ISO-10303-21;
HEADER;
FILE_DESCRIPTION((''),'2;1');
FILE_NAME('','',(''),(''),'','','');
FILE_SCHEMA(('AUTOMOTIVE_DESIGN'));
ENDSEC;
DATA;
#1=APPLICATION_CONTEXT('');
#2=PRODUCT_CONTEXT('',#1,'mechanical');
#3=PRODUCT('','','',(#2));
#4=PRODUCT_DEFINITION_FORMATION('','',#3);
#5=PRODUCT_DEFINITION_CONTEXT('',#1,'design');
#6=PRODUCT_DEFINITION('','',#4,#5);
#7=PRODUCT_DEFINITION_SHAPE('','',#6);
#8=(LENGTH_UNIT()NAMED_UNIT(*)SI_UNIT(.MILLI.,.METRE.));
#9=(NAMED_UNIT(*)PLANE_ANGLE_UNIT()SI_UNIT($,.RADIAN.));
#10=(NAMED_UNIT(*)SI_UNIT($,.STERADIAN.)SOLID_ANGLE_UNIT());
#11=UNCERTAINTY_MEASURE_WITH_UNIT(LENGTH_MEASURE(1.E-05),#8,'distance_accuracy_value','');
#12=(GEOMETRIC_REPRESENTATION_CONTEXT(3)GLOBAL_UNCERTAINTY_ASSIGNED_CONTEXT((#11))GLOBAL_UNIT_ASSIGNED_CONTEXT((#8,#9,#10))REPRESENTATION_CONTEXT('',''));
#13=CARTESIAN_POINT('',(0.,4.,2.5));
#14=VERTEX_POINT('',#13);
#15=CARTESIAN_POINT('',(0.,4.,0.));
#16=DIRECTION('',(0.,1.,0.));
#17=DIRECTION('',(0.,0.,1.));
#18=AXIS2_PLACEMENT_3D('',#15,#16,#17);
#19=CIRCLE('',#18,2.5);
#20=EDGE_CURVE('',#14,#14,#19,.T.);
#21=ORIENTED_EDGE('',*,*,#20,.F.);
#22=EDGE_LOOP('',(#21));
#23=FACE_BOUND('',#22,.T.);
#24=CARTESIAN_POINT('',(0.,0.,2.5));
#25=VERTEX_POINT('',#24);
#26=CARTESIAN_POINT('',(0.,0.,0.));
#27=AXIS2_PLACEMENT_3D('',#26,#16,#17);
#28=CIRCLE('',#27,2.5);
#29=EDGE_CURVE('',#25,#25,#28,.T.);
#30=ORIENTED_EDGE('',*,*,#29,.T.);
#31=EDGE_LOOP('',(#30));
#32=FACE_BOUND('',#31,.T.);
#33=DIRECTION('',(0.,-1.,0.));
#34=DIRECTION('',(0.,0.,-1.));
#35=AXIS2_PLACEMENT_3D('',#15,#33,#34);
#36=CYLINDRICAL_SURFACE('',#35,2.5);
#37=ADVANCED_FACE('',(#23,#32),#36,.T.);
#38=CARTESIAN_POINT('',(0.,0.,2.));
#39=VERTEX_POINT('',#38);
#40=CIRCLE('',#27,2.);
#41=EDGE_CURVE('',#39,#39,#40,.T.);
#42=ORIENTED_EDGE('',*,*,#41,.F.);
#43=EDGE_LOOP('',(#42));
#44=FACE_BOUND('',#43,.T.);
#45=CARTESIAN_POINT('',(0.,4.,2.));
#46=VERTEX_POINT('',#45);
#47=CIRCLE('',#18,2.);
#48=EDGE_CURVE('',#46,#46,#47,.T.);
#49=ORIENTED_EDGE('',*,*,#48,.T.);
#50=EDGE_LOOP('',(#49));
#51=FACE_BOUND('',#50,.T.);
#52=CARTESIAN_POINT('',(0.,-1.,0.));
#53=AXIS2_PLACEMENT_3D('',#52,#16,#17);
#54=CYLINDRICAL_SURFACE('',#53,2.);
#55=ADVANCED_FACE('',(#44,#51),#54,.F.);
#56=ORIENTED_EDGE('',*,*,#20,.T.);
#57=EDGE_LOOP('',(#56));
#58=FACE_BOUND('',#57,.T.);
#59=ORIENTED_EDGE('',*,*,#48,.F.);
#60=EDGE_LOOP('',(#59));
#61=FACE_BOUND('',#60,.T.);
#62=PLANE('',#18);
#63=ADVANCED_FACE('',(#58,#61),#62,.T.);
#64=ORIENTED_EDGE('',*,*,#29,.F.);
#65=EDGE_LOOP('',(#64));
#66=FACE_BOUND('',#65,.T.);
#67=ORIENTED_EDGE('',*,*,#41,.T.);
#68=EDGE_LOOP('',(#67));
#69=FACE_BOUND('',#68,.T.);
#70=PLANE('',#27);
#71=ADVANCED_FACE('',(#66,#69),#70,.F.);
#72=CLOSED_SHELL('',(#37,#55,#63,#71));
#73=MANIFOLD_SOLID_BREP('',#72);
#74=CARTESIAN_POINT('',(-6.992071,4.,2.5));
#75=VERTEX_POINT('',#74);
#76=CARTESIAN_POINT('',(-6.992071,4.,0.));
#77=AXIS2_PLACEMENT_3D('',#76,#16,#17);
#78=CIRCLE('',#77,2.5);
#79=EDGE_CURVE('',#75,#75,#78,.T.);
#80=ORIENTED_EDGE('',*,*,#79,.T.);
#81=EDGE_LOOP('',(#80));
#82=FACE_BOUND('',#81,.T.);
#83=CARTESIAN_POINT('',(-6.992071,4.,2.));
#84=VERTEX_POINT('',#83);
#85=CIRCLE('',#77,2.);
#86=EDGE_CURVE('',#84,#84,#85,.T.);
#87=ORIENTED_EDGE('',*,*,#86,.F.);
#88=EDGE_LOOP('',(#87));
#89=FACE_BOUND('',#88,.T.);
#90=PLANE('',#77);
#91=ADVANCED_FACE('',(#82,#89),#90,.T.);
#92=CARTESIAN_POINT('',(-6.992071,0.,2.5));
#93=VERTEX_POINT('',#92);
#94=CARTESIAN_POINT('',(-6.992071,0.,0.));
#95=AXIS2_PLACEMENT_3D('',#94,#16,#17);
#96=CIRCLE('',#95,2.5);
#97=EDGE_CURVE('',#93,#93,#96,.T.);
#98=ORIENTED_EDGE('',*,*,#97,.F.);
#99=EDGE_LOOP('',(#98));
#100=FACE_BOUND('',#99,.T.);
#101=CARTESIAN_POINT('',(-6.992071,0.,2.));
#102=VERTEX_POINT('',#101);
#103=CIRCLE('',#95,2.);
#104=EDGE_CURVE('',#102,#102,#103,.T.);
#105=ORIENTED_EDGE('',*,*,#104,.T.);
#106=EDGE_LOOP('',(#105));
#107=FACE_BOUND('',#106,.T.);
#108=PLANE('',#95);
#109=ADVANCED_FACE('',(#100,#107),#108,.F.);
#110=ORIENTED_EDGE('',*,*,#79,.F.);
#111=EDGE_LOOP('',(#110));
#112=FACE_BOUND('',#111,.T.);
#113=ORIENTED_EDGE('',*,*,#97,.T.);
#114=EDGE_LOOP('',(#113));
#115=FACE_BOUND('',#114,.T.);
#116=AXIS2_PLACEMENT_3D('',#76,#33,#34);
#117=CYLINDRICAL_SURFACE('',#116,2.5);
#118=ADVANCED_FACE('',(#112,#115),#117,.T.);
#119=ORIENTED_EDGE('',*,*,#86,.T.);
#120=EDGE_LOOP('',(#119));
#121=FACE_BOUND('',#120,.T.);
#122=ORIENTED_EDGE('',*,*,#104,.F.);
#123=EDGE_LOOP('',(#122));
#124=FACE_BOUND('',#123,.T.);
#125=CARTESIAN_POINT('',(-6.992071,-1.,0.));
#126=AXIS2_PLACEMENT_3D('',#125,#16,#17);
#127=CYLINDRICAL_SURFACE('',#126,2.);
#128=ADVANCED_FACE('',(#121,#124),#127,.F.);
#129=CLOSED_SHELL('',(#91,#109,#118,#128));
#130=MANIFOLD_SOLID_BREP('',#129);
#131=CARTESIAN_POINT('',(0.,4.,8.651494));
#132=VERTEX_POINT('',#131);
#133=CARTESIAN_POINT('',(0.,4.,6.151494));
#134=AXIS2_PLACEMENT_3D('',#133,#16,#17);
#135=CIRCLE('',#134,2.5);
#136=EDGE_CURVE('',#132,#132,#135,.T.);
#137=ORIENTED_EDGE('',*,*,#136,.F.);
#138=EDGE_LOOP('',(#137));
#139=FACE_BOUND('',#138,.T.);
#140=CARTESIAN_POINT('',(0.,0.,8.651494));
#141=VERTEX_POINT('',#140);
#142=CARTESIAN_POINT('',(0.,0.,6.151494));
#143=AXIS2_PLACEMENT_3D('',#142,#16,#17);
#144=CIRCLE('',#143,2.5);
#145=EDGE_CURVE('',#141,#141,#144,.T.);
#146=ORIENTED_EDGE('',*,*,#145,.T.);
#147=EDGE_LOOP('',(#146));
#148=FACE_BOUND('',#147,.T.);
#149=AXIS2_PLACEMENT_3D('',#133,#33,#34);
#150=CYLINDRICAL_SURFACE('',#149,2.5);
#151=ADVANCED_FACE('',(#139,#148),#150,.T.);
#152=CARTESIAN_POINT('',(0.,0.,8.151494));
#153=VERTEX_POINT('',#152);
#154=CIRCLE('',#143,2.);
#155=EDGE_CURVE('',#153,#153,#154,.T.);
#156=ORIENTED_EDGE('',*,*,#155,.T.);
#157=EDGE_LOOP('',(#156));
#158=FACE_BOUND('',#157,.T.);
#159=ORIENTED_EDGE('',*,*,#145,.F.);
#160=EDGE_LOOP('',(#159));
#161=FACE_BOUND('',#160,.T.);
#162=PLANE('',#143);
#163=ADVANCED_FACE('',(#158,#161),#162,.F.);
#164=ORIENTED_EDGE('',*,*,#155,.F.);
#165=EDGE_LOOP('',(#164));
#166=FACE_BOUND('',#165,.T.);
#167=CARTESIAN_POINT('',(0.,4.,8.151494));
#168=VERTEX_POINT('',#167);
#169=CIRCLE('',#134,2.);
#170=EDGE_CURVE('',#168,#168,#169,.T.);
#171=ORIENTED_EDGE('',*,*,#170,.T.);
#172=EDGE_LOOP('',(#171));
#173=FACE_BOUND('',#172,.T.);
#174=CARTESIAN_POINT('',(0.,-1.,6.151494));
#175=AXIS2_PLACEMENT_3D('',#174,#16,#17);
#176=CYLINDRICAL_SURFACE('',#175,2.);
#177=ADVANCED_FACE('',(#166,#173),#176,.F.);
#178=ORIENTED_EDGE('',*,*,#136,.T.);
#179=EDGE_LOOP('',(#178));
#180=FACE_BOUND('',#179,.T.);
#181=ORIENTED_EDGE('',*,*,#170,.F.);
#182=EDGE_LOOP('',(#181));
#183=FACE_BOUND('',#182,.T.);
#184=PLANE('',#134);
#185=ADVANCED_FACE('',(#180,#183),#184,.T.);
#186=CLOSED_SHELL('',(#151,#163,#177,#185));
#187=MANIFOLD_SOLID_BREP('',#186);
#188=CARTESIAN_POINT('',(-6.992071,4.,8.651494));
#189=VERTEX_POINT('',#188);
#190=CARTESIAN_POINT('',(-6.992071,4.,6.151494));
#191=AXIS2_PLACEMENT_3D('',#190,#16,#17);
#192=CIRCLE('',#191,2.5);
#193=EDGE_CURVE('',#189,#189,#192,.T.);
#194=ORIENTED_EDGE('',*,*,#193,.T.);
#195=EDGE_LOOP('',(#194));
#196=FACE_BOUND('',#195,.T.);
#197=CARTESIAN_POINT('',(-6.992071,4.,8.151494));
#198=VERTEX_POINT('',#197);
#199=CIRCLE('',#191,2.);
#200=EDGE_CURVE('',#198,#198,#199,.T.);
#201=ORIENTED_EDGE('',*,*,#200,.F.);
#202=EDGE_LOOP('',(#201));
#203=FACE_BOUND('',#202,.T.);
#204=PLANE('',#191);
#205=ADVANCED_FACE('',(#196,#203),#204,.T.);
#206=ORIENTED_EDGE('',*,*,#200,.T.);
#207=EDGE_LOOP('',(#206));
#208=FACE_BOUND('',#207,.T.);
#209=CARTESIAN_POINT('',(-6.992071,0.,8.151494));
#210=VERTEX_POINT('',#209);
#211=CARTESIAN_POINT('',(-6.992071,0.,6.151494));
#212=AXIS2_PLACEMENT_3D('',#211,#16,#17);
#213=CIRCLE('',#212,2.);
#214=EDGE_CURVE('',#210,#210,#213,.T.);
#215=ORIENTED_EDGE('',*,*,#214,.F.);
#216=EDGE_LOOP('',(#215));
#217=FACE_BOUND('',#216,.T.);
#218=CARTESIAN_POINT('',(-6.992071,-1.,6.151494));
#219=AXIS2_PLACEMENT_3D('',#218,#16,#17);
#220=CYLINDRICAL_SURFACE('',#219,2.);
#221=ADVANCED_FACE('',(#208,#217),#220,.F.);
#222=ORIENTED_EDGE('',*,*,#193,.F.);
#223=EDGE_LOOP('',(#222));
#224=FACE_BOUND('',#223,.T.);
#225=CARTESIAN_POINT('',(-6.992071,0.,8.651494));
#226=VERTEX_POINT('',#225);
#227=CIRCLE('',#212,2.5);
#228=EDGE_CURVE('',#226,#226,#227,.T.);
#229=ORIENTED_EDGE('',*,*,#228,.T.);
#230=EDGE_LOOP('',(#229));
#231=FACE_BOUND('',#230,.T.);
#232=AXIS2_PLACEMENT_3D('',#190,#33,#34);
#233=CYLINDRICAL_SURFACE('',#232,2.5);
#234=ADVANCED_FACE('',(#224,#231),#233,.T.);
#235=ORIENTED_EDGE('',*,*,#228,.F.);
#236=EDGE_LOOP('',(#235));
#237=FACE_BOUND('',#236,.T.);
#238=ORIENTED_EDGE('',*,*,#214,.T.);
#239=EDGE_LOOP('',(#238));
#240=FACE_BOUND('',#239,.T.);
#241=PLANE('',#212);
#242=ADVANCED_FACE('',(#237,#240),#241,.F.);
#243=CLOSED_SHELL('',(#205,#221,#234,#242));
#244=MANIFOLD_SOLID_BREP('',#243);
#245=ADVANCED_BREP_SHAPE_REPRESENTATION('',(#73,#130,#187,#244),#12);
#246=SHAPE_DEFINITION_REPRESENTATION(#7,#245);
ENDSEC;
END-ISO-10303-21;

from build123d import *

# Parameters (mm, degrees)
SKETCH1_R             = 2.5
BOSS_EXTRUDE1_DEPTH   = 4
BOSS_EXTRUDE1_2_DEPTH = 4
BOSS_EXTRUDE1_3_DEPTH = 4
BOSS_EXTRUDE1_4_DEPTH = 4
SKETCH2_R             = 2
CUT_EXTRUDE1_DEPTH    = 5


with BuildPart() as part:
    # Sketch1 → Boss-Extrude1 (new body)
    with BuildSketch(Plane(origin=(0, 0, 0), x_dir=(1, 0, 0), z_dir=(0, 1, 0))):
        with Locations(Location((0, 0, 0), (0, 0, 270))):
            Circle(SKETCH1_R)
    extrude(amount=BOSS_EXTRUDE1_DEPTH)


with BuildPart() as body_2:
    # Sketch1 → Boss-Extrude1 2 (new body)
    with BuildSketch(Plane(origin=(0, 0, 0), x_dir=(1, 0, 0), z_dir=(0, 1, 0))):
        with Locations(Location((-6.992070587, 0, 0), (0, 0, 270))):
            Circle(SKETCH1_R)
    extrude(amount=BOSS_EXTRUDE1_2_DEPTH)


with BuildPart() as body_3:
    # Sketch1 → Boss-Extrude1 3 (new body)
    with BuildSketch(Plane(origin=(0, 0, 0), x_dir=(1, 0, 0), z_dir=(0, 1, 0))):
        with Locations(Location((-6.992070587, -6.151493795, 0), (0, 0, 270))):
            Circle(SKETCH1_R)
    extrude(amount=BOSS_EXTRUDE1_3_DEPTH)


with BuildPart() as body_4:
    # Sketch1 → Boss-Extrude1 4 (new body)
    with BuildSketch(Plane(origin=(0, 0, 0), x_dir=(1, 0, 0), z_dir=(0, 1, 0))):
        with Locations(Location((0, -6.151493795, 0), (0, 0, 270))):
            Circle(SKETCH1_R)
    extrude(amount=BOSS_EXTRUDE1_4_DEPTH)


with BuildPart() as cut_extrude1_tool:
    # Sketch2 → Cut-Extrude1 (new body)
    with BuildSketch(Plane(origin=(0, 4, 0), x_dir=(1, 0, 0), z_dir=(0, 1, 0))):
        with Locations(Location((-6.992070587, 0, 0), (0, 0, 270))):
            Circle(SKETCH2_R)
        with Locations(Location((0, 0, 0), (0, 0, 270))):
            Circle(SKETCH2_R)
        with Locations(Location((-6.992070587, -6.151493795, 0), (0, 0, 270))):
            Circle(SKETCH2_R)
        with Locations(Location((0, -6.151493795, 0), (0, 0, 270))):
            Circle(SKETCH2_R)
    extrude(amount=-CUT_EXTRUDE1_DEPTH)


with BuildPart() as part_1:
    add(part.part)

    # Cut-Extrude1: cut by cut_extrude1_tool
    add(cut_extrude1_tool.part, mode=Mode.SUBTRACT)


with BuildPart() as body_2_1:
    add(body_2.part)

    # Cut-Extrude1: cut by cut_extrude1_tool
    add(cut_extrude1_tool.part, mode=Mode.SUBTRACT)


with BuildPart() as body_3_1:
    add(body_3.part)

    # Cut-Extrude1: cut by cut_extrude1_tool
    add(cut_extrude1_tool.part, mode=Mode.SUBTRACT)


with BuildPart() as body_4_1:
    add(body_4.part)

    # Cut-Extrude1: cut by cut_extrude1_tool
    add(cut_extrude1_tool.part, mode=Mode.SUBTRACT)


solid = Compound([part_1.part, body_2_1.part, body_3_1.part, body_4_1.part])
